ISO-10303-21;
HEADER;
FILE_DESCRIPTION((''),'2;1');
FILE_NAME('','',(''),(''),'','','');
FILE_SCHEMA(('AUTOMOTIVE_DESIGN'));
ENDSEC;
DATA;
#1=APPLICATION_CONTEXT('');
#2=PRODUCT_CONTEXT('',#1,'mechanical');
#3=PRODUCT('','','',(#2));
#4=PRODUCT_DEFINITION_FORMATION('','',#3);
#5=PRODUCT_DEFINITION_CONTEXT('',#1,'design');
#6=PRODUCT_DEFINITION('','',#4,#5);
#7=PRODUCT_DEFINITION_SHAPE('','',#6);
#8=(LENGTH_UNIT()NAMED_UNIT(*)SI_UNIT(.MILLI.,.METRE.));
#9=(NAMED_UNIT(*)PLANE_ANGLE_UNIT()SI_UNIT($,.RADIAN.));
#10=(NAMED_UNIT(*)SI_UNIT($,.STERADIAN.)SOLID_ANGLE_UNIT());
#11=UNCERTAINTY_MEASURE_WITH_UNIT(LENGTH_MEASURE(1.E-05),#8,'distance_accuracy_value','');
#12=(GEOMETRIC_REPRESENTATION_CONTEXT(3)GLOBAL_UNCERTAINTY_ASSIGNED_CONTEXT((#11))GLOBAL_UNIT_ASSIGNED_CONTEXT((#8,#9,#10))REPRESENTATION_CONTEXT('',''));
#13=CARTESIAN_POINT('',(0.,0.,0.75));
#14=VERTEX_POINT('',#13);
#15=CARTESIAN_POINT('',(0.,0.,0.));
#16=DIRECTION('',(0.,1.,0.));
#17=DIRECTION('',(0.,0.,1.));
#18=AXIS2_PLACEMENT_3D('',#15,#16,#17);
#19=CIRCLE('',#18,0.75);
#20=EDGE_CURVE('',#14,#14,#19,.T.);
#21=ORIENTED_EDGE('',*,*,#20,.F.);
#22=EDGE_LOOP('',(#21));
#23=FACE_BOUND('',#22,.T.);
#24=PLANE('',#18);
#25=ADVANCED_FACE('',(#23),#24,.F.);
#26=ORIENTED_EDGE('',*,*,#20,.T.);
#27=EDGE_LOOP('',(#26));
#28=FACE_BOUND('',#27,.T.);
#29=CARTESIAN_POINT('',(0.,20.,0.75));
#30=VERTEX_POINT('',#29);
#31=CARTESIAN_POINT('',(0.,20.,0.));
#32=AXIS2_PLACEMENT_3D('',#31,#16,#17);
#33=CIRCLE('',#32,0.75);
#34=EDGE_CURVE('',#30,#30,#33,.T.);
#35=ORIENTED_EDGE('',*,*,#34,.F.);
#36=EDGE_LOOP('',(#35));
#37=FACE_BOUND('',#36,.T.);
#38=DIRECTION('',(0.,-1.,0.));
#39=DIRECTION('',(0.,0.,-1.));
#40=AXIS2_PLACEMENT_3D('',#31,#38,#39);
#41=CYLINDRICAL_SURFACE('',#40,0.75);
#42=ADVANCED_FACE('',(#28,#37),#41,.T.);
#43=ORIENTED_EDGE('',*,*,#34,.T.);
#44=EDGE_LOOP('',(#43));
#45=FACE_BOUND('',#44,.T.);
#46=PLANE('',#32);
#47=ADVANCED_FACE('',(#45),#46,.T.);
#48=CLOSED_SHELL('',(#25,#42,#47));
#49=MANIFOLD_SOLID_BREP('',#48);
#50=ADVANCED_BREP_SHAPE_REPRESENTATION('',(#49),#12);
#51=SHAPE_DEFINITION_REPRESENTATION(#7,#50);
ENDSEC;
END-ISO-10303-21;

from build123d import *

# Parameters (mm, degrees)
SKETCH1_R           = 0.75
BOSS_EXTRUDE1_DEPTH = 20


with BuildPart() as part:
    # Sketch1 → Boss-Extrude1 (new body)
    with BuildSketch(Plane(origin=(0, 0, 0), x_dir=(1, 0, 0), z_dir=(0, 1, 0))):
        Circle(SKETCH1_R)
    extrude(amount=BOSS_EXTRUDE1_DEPTH)


solid = part.part
